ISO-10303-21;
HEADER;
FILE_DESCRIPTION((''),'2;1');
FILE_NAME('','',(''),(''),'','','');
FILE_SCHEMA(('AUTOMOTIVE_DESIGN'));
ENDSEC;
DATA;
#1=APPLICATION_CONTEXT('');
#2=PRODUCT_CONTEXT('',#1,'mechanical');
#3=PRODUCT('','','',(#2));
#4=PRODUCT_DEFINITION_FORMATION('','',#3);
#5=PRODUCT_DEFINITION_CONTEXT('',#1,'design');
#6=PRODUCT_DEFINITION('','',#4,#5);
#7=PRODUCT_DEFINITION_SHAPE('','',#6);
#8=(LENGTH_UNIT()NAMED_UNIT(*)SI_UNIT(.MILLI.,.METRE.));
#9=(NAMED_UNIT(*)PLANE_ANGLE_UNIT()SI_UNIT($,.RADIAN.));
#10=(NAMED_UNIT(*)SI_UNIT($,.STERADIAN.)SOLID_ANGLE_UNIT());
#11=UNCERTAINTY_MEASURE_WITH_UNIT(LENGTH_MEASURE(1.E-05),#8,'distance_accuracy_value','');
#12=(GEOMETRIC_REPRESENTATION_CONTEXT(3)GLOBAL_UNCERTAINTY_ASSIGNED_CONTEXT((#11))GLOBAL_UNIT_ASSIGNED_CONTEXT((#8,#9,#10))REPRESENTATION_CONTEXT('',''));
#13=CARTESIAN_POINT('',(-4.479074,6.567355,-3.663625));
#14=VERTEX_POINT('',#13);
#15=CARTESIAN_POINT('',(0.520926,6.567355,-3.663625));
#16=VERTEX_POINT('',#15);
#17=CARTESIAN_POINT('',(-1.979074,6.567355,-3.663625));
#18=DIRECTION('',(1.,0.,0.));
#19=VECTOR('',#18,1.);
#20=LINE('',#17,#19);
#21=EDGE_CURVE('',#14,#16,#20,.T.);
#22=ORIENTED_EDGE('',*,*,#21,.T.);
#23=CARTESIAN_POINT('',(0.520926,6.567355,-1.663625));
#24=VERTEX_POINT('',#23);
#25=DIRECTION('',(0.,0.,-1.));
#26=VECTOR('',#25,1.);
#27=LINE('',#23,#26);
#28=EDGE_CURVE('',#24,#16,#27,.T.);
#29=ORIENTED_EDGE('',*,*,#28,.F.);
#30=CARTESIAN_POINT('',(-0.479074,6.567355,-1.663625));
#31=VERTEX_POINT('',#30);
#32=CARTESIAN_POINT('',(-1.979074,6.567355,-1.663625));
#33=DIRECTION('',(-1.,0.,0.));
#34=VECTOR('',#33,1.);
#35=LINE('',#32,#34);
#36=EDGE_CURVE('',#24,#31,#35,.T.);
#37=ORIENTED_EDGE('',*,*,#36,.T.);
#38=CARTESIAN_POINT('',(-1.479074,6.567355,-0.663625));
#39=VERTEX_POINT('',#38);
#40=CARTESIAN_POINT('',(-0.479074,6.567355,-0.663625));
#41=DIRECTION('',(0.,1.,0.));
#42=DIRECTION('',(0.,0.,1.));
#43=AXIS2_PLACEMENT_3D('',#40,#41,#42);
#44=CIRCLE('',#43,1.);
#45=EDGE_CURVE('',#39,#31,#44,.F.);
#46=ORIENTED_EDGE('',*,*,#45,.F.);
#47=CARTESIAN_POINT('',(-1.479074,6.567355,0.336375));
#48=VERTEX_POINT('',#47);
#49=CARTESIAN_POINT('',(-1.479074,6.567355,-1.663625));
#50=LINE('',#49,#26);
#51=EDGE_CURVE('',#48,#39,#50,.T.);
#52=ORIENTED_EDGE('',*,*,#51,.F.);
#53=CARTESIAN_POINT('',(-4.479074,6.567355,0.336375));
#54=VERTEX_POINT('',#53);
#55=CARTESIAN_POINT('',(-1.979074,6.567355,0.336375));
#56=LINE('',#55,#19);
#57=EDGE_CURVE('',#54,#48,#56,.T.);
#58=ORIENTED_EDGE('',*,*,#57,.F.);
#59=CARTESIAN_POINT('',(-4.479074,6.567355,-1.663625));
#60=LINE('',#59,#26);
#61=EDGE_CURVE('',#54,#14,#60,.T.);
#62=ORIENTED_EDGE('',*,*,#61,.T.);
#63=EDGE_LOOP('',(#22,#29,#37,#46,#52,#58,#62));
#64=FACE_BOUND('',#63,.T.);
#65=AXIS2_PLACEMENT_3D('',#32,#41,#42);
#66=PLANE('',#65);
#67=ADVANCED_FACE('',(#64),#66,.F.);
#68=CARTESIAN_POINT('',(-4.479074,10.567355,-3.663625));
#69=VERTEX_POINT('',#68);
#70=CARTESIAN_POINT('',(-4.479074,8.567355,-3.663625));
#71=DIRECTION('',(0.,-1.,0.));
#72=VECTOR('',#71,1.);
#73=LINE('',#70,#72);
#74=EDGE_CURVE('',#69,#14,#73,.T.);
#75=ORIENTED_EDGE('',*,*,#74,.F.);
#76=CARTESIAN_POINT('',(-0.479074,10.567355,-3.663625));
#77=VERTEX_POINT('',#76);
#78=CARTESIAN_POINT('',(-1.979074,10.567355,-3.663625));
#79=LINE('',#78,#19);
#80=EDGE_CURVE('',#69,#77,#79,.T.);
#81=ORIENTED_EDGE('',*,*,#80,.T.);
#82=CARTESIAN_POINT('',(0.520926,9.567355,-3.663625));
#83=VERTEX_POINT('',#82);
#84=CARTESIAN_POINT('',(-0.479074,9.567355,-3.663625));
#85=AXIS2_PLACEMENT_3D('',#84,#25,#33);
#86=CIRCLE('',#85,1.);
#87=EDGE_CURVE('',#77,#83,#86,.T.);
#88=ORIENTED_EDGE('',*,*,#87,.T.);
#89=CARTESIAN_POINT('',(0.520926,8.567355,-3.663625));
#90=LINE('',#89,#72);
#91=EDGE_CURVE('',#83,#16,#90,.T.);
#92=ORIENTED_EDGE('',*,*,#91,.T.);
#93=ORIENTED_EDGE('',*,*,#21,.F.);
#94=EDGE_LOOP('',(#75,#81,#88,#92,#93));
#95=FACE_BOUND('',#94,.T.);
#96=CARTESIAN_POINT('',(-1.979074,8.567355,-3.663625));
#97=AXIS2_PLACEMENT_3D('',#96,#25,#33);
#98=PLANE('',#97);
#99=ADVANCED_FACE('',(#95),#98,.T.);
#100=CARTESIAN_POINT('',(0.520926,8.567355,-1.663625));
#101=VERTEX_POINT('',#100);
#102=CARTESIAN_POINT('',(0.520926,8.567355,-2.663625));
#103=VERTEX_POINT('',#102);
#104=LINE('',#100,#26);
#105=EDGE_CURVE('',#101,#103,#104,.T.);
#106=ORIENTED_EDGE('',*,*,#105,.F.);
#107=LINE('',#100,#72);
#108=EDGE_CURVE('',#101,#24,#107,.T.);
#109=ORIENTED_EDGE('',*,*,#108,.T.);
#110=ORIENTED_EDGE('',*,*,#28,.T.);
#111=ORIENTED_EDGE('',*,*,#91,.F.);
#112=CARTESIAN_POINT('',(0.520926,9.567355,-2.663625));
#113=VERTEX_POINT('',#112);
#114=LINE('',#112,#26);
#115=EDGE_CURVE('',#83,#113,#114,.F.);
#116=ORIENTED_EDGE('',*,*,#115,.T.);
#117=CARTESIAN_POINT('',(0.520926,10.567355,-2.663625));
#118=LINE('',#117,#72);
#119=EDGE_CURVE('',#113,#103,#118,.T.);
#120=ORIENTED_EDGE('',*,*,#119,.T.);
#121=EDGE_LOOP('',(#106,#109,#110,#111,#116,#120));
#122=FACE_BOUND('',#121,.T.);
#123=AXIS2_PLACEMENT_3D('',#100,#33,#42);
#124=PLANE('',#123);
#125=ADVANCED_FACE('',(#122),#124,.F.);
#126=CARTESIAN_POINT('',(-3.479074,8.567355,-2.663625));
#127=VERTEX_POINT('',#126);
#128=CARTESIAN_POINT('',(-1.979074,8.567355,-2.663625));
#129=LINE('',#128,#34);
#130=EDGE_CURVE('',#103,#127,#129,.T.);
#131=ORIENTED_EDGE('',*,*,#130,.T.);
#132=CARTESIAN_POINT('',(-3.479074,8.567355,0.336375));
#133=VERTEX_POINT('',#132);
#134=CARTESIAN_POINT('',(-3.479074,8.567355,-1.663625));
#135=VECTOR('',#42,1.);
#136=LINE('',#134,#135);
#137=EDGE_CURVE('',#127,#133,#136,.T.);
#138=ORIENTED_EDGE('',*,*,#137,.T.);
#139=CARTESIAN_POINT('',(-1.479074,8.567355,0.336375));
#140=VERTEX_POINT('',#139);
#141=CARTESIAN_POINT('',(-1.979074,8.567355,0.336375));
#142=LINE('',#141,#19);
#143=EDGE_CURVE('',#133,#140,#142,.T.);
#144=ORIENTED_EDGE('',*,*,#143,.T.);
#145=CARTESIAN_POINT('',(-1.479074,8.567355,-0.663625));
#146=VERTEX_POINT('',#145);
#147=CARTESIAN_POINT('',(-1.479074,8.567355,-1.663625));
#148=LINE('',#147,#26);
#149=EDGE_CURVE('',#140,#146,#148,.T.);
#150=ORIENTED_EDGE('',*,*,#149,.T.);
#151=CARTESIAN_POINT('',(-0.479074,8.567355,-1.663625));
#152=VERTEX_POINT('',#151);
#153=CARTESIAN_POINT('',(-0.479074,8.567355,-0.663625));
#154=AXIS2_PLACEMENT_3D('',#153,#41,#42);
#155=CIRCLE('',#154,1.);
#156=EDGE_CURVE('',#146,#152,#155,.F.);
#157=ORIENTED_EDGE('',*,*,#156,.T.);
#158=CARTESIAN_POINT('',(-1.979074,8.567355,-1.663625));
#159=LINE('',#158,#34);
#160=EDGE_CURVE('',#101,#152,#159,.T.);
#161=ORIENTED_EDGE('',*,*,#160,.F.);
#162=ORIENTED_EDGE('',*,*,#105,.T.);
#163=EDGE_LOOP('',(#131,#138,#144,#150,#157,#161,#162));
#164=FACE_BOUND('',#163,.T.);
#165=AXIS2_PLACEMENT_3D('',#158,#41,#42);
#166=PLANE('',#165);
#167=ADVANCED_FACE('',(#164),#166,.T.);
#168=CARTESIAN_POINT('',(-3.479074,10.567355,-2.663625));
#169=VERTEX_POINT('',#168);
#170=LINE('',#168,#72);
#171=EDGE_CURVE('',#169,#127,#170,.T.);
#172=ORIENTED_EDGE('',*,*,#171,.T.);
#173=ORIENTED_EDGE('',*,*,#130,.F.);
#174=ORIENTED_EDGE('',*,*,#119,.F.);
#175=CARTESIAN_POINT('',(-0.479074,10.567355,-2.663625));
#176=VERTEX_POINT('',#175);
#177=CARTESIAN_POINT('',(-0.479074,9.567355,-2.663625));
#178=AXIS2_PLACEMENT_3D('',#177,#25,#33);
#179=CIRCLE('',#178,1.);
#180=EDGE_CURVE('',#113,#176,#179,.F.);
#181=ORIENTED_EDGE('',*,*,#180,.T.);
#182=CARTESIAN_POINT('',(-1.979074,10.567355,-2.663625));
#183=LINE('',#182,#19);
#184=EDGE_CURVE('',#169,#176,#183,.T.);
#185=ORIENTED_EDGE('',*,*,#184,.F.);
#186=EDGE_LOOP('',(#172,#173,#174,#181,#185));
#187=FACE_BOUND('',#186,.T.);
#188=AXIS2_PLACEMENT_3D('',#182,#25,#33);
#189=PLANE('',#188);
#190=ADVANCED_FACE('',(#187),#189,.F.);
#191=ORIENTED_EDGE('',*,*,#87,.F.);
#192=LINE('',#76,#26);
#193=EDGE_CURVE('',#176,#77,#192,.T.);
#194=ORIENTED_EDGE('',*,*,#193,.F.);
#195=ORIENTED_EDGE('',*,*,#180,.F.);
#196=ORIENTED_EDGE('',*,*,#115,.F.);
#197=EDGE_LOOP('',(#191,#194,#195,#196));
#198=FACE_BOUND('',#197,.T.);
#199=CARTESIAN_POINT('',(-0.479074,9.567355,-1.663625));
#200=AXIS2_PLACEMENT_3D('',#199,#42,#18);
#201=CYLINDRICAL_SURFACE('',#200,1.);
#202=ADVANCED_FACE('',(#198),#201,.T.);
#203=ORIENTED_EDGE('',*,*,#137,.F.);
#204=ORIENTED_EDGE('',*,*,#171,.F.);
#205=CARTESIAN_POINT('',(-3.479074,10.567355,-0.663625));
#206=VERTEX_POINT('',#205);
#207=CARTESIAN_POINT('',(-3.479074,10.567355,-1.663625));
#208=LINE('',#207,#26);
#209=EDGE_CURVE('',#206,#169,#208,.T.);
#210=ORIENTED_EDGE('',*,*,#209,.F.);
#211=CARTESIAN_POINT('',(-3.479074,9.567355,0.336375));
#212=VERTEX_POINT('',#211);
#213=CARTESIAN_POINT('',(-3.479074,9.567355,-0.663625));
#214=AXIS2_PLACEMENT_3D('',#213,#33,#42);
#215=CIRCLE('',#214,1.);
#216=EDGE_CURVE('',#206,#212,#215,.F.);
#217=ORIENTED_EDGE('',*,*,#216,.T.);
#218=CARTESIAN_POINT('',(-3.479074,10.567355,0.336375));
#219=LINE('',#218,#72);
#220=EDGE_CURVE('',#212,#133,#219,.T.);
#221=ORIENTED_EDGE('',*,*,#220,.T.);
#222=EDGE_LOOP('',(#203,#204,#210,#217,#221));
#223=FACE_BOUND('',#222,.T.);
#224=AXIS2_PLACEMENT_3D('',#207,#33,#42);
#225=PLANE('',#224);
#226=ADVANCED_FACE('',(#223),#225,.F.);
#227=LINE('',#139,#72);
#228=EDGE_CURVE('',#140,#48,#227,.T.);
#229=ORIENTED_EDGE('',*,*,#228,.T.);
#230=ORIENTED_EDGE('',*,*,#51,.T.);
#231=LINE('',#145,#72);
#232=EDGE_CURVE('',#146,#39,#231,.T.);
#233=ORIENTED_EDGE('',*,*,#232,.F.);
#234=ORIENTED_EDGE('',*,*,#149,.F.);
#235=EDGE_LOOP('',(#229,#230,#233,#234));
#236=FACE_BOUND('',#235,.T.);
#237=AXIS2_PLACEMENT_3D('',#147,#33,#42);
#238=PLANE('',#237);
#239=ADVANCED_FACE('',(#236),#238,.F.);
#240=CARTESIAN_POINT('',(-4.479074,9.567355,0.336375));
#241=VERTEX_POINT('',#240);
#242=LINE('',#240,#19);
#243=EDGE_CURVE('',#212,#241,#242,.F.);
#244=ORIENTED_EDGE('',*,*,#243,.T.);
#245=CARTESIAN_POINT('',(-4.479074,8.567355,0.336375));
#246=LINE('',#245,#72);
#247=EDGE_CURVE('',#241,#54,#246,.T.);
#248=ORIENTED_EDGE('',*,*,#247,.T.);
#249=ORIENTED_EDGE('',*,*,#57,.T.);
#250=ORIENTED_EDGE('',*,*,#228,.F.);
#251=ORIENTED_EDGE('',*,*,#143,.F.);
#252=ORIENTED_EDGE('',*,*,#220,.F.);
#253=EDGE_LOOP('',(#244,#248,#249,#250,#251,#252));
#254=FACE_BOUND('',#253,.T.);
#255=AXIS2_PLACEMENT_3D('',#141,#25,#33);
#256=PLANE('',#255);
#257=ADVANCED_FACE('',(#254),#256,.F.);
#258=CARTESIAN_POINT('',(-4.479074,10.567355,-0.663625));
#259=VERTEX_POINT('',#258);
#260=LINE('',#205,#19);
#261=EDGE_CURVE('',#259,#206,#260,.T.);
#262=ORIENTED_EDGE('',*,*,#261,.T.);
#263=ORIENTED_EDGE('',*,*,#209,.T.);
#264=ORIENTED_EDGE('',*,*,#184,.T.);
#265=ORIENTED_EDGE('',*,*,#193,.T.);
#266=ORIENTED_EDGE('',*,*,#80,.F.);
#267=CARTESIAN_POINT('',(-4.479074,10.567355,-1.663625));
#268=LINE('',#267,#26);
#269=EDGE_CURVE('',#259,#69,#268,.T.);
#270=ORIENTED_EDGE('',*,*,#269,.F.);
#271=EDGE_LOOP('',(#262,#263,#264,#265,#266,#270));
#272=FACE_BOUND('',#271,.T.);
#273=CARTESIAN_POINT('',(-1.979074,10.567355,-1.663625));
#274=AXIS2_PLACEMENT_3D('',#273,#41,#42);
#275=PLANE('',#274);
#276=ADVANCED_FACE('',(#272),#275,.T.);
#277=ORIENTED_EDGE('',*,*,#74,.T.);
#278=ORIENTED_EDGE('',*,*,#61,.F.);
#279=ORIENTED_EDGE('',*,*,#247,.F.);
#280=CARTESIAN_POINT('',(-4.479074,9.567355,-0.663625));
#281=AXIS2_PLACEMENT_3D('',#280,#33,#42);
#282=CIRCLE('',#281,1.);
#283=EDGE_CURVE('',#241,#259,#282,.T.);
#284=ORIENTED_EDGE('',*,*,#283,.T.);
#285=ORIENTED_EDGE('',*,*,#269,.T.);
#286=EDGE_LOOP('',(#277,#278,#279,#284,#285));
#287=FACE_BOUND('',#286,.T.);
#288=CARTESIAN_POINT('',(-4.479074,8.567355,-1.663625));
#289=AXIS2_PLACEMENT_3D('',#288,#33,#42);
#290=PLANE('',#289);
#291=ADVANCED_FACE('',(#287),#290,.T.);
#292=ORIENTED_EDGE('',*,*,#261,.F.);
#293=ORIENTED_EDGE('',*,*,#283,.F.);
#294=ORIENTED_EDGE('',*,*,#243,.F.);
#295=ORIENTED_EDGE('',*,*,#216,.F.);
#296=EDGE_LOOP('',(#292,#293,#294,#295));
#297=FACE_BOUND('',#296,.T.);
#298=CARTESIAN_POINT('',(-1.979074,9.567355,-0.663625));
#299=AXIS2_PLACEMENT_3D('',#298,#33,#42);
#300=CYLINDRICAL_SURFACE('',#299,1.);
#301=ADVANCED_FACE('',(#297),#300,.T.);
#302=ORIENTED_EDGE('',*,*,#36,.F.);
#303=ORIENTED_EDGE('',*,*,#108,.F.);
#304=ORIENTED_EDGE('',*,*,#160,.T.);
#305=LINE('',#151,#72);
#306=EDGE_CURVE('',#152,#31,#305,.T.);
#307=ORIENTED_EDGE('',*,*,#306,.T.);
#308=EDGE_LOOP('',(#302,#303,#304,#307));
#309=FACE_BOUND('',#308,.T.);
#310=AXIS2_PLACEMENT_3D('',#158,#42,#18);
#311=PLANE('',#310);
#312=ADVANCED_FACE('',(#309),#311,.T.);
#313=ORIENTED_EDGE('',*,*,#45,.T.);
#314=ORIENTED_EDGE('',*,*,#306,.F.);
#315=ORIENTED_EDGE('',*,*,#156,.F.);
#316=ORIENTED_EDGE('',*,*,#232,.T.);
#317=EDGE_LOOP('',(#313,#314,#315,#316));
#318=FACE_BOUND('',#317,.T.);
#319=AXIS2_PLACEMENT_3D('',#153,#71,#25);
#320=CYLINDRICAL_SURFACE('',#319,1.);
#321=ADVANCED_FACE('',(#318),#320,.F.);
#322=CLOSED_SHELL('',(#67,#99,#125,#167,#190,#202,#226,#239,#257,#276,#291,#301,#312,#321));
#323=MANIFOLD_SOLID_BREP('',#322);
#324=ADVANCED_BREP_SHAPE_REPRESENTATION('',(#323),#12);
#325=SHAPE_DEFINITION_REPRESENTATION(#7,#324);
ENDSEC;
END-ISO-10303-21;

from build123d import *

# Parameters (mm, degrees)
EXTRUDE_1_DEPTH = 10
EXTRUDE_2_DEPTH = 20
FILLET_1_R      = 5
SCALE_1_SCALE   = 0.2


with BuildPart() as part:
    # 草圖1 → 填料-伸長1 (new body)
    with BuildSketch(Plane(origin=(0, 0, 0), x_dir=(1, 0, 0), z_dir=(0, 1, 0))):
        with BuildLine():
            Line((-12.5, -10), (2.5, -10))
            Line((2.5, -10), (2.5, -5))
            ThreePointArc((2.5, -5), (3.964466094, -1.464466094), (7.5, 0))
            Line((7.5, 0), (12.5, 0))
            Line((12.5, 0), (12.5, 10))
            Line((12.5, 10), (-12.5, 10))
            Line((-12.5, 10), (-12.5, -10))
        make_face()
    extrude(amount=EXTRUDE_1_DEPTH)

    # 草圖1<3> → 填料-伸長2 (add)
    with BuildSketch(Plane(origin=(0, 0, 0), x_dir=(1, 0, 0), z_dir=(0, 1, 0))):
        Polygon((-12.5, 5), (-12.5, -10), (-7.5, -10), (-7.5, 5), (12.5, 5), (12.5, 10), (-7.5, 10), (-12.5, 10), align=None)
    extrude(amount=EXTRUDE_2_DEPTH)

    # 圓角1
    fillet_1_edges = [part.edges().sort_by_distance(p)[0] for p in [
        (-10, 20, 10),
        (12.5, 20, -7.5),
    ]]
    fillet(fillet_1_edges, radius=FILLET_1_R)


with BuildPart() as part_1:
    # 縮放比例1: scaled about (-2.47384308, 8.209193679, -2.079530772)
    add(part.part.scale(SCALE_1_SCALE).moved(Location((-1.979074464, 6.567354943, -1.663624618))))


solid = part_1.part
